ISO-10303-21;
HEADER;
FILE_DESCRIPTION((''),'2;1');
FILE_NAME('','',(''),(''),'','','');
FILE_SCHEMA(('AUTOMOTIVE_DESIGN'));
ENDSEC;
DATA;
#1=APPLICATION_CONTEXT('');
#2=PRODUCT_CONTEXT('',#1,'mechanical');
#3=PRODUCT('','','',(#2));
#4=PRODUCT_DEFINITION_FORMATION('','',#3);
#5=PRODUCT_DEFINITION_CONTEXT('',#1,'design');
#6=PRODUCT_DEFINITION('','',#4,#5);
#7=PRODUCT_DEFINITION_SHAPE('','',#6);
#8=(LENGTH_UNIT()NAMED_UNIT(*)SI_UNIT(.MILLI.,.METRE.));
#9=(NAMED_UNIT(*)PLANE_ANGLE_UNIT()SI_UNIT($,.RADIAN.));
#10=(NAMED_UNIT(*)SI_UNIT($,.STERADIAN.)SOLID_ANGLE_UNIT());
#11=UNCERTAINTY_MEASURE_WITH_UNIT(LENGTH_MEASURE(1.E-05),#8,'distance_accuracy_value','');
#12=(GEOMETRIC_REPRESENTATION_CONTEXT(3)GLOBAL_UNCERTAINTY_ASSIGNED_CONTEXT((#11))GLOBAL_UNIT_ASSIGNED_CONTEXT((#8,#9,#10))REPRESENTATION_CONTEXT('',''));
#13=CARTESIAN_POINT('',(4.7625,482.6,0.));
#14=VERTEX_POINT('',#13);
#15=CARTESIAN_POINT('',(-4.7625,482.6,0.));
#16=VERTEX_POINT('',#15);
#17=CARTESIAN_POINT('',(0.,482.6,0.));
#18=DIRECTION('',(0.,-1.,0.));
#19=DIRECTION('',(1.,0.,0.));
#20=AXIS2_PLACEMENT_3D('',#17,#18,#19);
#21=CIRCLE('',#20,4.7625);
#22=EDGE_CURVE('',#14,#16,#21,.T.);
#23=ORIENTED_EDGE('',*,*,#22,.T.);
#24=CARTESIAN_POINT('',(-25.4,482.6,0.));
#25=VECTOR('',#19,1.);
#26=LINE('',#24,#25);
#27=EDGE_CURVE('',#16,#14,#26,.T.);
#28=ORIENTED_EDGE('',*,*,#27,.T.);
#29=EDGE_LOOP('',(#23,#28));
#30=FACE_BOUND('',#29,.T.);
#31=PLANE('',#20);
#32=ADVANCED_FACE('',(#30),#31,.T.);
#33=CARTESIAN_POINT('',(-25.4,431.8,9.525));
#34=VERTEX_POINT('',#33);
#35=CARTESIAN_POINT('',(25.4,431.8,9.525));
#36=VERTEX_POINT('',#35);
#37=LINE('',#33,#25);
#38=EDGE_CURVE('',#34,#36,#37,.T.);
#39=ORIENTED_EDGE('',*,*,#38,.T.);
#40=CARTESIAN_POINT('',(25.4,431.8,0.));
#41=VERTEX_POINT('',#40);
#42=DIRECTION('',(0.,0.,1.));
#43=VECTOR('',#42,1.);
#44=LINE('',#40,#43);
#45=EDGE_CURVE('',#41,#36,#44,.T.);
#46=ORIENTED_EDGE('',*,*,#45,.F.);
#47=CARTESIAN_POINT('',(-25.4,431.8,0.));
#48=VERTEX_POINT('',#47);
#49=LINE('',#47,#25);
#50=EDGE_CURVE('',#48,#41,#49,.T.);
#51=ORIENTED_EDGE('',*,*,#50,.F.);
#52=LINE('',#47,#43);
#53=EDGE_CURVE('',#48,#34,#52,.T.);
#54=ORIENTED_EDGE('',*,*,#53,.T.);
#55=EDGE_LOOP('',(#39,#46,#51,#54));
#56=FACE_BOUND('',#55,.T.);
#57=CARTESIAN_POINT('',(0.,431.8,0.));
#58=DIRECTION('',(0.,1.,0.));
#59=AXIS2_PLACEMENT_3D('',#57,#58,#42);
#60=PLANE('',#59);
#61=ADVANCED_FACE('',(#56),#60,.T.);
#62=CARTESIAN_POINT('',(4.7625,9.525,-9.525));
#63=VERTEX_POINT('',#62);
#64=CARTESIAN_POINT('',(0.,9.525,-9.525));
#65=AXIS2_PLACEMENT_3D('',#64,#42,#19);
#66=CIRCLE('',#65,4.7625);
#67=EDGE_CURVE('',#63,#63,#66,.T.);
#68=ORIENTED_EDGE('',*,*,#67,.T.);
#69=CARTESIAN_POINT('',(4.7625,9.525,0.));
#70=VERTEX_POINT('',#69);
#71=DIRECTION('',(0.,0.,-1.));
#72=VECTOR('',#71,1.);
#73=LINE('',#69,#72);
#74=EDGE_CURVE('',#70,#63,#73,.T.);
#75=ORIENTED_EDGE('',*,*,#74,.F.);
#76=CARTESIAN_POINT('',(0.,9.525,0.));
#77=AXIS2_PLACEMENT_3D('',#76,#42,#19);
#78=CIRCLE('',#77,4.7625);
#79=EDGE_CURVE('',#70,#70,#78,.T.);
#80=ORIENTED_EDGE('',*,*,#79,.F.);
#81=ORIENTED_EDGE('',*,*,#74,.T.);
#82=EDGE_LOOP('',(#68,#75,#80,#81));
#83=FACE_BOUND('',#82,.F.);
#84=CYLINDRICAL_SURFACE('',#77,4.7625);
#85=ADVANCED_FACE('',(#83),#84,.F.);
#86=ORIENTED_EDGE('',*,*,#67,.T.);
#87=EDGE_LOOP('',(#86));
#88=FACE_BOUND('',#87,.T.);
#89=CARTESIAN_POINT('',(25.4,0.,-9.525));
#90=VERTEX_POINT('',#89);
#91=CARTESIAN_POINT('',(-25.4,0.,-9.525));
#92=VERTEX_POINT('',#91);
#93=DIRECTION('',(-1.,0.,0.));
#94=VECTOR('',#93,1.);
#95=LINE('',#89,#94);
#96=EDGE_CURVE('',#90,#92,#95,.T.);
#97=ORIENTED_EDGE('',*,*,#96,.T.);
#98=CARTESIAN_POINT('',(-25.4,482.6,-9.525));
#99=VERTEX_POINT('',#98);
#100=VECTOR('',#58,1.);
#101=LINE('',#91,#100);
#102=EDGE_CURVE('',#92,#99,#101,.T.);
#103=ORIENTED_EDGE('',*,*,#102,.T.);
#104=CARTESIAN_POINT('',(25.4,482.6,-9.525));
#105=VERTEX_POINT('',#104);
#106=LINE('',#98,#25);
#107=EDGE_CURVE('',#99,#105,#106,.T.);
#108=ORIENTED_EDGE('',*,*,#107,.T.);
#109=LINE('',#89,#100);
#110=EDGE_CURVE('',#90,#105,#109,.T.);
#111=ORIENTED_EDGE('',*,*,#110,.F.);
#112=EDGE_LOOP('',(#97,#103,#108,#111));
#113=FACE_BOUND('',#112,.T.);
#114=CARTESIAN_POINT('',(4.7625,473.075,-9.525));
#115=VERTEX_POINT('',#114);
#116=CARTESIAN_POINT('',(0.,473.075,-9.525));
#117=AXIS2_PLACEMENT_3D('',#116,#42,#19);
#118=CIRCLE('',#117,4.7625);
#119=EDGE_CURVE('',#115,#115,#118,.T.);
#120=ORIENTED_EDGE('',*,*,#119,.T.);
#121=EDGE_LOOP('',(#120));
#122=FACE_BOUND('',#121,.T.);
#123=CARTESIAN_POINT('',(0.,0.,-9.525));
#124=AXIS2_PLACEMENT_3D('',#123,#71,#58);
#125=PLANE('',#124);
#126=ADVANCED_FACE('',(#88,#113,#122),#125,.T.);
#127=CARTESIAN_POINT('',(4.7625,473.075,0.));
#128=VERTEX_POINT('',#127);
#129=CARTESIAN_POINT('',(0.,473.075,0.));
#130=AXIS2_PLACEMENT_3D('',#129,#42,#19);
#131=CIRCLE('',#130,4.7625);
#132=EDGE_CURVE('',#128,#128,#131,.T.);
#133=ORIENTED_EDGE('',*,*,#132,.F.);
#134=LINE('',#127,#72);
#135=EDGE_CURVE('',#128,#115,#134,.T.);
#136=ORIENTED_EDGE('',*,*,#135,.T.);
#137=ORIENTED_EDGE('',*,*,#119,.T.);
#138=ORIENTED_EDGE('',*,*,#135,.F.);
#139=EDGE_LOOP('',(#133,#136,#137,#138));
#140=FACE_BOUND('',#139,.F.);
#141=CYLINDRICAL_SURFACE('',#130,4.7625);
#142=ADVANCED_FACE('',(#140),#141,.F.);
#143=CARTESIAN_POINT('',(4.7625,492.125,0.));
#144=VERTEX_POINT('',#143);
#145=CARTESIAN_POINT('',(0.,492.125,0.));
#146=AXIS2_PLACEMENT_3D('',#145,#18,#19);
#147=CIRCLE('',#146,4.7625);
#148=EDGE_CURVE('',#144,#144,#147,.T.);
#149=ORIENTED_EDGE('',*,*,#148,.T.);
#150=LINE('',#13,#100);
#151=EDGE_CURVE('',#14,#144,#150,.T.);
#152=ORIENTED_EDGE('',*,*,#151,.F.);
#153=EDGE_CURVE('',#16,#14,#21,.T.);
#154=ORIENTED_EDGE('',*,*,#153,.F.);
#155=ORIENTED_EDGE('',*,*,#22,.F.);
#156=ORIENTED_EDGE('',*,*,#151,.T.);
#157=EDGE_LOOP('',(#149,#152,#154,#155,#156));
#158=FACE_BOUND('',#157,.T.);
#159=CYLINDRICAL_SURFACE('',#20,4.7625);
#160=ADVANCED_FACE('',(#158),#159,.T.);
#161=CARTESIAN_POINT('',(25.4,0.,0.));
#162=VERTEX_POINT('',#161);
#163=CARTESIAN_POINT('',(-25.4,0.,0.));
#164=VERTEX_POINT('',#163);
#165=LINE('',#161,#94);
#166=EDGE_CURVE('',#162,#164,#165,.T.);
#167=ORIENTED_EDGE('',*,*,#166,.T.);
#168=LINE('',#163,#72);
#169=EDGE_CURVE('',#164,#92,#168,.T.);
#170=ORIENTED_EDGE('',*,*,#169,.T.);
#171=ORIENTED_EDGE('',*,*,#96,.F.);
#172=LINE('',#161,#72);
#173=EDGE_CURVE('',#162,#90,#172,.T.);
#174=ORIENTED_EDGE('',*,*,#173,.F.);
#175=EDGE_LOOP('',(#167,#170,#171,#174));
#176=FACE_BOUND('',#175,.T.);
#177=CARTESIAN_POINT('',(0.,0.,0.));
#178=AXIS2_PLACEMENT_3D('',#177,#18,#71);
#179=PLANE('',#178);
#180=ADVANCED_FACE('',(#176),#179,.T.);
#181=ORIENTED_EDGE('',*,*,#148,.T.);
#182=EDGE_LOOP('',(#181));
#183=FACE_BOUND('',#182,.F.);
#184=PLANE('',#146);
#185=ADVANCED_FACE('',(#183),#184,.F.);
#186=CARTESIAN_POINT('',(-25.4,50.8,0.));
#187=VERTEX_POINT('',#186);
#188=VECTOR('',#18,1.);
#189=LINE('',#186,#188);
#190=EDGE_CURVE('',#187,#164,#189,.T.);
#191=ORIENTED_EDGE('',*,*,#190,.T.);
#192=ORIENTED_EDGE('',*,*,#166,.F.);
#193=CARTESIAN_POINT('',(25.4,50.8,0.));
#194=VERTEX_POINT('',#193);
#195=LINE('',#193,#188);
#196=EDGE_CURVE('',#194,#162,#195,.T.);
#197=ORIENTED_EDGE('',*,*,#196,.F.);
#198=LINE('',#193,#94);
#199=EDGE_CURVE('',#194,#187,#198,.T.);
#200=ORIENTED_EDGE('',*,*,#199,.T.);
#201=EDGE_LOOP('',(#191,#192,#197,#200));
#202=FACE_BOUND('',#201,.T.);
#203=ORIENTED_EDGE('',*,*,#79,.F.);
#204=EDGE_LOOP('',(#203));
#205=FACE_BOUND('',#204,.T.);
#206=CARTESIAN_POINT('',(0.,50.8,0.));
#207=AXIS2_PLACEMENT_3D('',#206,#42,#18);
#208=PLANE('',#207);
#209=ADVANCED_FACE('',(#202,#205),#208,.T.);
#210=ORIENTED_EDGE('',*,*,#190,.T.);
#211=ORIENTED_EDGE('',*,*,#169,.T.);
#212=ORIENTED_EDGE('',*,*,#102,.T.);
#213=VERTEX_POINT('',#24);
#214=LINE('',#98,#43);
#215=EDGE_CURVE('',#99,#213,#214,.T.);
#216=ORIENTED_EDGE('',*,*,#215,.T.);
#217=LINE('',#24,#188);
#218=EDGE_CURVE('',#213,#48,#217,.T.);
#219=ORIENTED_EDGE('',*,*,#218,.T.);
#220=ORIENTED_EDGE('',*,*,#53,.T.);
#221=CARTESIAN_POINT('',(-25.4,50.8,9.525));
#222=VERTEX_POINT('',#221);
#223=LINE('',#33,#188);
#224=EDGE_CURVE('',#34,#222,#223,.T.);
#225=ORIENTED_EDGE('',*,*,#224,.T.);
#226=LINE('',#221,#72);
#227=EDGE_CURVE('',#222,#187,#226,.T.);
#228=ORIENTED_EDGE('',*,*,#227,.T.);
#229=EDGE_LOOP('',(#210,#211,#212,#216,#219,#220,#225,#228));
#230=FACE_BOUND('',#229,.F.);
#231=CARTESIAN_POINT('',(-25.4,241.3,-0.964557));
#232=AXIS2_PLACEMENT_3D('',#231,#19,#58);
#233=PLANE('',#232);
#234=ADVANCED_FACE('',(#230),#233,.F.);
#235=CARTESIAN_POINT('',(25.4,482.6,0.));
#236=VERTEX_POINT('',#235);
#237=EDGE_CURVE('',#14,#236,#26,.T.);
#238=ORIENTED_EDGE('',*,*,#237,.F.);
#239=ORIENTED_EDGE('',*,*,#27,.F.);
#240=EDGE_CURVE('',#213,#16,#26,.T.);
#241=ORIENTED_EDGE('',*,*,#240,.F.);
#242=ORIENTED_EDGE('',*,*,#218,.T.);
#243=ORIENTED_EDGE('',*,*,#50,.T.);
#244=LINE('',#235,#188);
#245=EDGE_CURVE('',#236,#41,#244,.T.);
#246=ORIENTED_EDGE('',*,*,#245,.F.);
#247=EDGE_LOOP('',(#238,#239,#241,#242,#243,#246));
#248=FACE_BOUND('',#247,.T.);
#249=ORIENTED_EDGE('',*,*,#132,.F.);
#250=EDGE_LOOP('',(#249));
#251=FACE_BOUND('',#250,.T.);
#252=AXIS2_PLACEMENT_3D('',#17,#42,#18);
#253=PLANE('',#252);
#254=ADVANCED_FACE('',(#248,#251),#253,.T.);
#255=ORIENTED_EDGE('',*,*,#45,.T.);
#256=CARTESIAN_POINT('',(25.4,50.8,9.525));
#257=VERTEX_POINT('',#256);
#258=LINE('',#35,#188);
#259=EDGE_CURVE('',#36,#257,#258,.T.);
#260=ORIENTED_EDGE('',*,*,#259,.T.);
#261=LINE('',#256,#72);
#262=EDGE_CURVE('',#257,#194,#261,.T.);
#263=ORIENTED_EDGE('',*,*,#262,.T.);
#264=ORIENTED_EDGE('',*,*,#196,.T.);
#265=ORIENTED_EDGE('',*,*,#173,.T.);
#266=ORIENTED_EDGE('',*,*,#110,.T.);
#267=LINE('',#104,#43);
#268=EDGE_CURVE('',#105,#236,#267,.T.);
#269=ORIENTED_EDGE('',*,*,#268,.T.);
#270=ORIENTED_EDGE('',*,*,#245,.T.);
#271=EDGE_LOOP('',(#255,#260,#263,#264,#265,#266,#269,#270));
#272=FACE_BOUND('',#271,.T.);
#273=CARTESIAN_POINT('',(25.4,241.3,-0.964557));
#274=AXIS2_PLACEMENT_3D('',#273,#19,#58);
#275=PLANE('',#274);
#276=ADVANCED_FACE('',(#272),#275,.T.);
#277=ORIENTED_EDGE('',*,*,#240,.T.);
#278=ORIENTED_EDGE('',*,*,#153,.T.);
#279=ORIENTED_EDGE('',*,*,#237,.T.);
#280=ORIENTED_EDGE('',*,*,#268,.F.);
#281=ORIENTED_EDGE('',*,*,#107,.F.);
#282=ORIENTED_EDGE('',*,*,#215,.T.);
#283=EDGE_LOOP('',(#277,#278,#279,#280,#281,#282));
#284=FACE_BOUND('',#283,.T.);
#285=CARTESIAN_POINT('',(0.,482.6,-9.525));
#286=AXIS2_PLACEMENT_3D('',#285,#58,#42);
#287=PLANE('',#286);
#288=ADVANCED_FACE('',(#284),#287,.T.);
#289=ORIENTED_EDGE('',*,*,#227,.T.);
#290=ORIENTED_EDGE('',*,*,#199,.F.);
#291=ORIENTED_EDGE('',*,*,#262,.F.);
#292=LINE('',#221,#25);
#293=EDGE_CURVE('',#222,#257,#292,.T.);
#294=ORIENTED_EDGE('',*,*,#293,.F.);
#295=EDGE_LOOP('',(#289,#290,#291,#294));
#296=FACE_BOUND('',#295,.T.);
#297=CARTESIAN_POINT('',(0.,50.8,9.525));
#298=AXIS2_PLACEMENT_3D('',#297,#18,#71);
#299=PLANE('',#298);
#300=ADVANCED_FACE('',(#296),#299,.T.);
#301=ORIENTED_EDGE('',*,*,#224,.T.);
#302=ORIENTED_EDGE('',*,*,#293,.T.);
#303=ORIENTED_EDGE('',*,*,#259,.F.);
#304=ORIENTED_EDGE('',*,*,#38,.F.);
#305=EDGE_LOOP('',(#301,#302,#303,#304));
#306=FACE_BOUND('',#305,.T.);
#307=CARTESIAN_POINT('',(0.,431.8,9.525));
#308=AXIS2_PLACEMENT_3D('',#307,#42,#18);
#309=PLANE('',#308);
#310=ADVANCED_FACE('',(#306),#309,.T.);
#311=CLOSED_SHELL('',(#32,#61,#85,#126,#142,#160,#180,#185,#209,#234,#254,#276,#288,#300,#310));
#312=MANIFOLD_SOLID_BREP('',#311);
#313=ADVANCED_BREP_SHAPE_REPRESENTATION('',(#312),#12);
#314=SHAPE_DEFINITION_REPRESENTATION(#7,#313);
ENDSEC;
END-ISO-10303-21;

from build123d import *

# Parameters (mm, degrees)
F1_DEPTH = 25.4
F2_R     = 4.7625
F3_DEPTH = 25.4
F5_R     = 4.7625
F6_DEPTH = 9.525


with BuildPart() as f1:
    # F0 (on Right) → F1 (new body, symmetric)
    with BuildSketch(Plane.YZ):
        Polygon((0, -9.525), (482.6, -9.525), (482.6, 0), (431.8, 0), (431.8, 9.525), (50.8, 9.525), (50.8, 0), (0, 0), align=None)
    extrude(amount=F1_DEPTH, both=True)

    # F2 (on Top) → F3 (cut)
    with BuildSketch(Plane.XY):
        with Locations((0, 9.525)):
            Circle(F2_R)
        with Locations((0, 473.075)):
            Circle(F2_R)
    extrude(amount=-F3_DEPTH, mode=Mode.SUBTRACT)

    # F5 (on offset) → F6 (join)
    with BuildSketch(Plane.XZ.offset(-482.6)):
        Circle(F5_R)
    extrude(amount=-F6_DEPTH)


solid = f1.part
